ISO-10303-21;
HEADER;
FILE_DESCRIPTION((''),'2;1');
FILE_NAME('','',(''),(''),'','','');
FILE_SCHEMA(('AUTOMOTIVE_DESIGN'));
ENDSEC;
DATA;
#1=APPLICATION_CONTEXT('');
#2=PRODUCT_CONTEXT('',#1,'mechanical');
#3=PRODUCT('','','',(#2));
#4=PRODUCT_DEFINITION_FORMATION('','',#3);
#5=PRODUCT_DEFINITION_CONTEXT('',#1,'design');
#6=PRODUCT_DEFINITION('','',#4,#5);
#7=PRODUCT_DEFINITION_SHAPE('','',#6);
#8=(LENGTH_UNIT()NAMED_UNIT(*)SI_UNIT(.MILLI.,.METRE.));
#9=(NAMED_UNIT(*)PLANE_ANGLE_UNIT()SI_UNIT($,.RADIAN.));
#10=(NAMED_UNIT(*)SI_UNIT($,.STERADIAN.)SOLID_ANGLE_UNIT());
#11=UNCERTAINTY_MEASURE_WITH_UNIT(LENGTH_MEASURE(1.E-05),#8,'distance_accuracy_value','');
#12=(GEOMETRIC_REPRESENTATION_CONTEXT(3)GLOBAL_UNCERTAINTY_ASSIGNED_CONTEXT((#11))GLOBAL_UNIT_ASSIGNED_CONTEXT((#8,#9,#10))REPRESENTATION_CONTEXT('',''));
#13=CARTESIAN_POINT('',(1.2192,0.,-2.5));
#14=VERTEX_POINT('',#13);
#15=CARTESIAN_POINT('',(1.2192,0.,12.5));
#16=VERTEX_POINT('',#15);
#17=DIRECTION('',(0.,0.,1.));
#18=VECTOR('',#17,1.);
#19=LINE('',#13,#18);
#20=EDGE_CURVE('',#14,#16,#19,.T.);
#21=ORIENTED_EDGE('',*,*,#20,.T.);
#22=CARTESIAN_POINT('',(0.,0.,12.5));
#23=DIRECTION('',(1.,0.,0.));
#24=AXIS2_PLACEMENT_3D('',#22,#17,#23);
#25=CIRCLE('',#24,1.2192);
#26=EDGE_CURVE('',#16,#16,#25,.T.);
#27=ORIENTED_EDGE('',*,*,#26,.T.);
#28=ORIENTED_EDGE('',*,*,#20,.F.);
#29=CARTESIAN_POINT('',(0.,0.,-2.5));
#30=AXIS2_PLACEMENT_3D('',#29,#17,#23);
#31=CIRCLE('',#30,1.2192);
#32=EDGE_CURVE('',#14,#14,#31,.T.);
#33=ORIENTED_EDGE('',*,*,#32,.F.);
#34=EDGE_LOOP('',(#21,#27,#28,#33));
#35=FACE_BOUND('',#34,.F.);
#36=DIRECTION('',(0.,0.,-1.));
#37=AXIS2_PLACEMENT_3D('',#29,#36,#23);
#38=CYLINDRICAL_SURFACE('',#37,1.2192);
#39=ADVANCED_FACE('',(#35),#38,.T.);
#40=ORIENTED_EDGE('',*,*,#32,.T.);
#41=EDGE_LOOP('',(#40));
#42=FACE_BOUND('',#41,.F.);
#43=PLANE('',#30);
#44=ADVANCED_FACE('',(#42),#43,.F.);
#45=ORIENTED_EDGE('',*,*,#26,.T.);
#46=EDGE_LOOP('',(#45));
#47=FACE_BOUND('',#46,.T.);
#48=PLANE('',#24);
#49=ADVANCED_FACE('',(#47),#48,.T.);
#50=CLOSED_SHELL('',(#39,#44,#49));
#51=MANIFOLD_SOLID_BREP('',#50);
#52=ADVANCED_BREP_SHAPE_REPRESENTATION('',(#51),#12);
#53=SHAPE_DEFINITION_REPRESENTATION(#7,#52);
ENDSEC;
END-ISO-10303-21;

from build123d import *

# Parameters (mm, degrees)
CYLINDER_R     = 1.2192
CYLINDER_DEPTH = 15


with BuildPart() as part:
    # Cylinder → Cylinder (new body)
    with BuildSketch(Plane.XY.offset(-2.5)):
        Circle(CYLINDER_R)
    extrude(amount=CYLINDER_DEPTH)


solid = part.part
